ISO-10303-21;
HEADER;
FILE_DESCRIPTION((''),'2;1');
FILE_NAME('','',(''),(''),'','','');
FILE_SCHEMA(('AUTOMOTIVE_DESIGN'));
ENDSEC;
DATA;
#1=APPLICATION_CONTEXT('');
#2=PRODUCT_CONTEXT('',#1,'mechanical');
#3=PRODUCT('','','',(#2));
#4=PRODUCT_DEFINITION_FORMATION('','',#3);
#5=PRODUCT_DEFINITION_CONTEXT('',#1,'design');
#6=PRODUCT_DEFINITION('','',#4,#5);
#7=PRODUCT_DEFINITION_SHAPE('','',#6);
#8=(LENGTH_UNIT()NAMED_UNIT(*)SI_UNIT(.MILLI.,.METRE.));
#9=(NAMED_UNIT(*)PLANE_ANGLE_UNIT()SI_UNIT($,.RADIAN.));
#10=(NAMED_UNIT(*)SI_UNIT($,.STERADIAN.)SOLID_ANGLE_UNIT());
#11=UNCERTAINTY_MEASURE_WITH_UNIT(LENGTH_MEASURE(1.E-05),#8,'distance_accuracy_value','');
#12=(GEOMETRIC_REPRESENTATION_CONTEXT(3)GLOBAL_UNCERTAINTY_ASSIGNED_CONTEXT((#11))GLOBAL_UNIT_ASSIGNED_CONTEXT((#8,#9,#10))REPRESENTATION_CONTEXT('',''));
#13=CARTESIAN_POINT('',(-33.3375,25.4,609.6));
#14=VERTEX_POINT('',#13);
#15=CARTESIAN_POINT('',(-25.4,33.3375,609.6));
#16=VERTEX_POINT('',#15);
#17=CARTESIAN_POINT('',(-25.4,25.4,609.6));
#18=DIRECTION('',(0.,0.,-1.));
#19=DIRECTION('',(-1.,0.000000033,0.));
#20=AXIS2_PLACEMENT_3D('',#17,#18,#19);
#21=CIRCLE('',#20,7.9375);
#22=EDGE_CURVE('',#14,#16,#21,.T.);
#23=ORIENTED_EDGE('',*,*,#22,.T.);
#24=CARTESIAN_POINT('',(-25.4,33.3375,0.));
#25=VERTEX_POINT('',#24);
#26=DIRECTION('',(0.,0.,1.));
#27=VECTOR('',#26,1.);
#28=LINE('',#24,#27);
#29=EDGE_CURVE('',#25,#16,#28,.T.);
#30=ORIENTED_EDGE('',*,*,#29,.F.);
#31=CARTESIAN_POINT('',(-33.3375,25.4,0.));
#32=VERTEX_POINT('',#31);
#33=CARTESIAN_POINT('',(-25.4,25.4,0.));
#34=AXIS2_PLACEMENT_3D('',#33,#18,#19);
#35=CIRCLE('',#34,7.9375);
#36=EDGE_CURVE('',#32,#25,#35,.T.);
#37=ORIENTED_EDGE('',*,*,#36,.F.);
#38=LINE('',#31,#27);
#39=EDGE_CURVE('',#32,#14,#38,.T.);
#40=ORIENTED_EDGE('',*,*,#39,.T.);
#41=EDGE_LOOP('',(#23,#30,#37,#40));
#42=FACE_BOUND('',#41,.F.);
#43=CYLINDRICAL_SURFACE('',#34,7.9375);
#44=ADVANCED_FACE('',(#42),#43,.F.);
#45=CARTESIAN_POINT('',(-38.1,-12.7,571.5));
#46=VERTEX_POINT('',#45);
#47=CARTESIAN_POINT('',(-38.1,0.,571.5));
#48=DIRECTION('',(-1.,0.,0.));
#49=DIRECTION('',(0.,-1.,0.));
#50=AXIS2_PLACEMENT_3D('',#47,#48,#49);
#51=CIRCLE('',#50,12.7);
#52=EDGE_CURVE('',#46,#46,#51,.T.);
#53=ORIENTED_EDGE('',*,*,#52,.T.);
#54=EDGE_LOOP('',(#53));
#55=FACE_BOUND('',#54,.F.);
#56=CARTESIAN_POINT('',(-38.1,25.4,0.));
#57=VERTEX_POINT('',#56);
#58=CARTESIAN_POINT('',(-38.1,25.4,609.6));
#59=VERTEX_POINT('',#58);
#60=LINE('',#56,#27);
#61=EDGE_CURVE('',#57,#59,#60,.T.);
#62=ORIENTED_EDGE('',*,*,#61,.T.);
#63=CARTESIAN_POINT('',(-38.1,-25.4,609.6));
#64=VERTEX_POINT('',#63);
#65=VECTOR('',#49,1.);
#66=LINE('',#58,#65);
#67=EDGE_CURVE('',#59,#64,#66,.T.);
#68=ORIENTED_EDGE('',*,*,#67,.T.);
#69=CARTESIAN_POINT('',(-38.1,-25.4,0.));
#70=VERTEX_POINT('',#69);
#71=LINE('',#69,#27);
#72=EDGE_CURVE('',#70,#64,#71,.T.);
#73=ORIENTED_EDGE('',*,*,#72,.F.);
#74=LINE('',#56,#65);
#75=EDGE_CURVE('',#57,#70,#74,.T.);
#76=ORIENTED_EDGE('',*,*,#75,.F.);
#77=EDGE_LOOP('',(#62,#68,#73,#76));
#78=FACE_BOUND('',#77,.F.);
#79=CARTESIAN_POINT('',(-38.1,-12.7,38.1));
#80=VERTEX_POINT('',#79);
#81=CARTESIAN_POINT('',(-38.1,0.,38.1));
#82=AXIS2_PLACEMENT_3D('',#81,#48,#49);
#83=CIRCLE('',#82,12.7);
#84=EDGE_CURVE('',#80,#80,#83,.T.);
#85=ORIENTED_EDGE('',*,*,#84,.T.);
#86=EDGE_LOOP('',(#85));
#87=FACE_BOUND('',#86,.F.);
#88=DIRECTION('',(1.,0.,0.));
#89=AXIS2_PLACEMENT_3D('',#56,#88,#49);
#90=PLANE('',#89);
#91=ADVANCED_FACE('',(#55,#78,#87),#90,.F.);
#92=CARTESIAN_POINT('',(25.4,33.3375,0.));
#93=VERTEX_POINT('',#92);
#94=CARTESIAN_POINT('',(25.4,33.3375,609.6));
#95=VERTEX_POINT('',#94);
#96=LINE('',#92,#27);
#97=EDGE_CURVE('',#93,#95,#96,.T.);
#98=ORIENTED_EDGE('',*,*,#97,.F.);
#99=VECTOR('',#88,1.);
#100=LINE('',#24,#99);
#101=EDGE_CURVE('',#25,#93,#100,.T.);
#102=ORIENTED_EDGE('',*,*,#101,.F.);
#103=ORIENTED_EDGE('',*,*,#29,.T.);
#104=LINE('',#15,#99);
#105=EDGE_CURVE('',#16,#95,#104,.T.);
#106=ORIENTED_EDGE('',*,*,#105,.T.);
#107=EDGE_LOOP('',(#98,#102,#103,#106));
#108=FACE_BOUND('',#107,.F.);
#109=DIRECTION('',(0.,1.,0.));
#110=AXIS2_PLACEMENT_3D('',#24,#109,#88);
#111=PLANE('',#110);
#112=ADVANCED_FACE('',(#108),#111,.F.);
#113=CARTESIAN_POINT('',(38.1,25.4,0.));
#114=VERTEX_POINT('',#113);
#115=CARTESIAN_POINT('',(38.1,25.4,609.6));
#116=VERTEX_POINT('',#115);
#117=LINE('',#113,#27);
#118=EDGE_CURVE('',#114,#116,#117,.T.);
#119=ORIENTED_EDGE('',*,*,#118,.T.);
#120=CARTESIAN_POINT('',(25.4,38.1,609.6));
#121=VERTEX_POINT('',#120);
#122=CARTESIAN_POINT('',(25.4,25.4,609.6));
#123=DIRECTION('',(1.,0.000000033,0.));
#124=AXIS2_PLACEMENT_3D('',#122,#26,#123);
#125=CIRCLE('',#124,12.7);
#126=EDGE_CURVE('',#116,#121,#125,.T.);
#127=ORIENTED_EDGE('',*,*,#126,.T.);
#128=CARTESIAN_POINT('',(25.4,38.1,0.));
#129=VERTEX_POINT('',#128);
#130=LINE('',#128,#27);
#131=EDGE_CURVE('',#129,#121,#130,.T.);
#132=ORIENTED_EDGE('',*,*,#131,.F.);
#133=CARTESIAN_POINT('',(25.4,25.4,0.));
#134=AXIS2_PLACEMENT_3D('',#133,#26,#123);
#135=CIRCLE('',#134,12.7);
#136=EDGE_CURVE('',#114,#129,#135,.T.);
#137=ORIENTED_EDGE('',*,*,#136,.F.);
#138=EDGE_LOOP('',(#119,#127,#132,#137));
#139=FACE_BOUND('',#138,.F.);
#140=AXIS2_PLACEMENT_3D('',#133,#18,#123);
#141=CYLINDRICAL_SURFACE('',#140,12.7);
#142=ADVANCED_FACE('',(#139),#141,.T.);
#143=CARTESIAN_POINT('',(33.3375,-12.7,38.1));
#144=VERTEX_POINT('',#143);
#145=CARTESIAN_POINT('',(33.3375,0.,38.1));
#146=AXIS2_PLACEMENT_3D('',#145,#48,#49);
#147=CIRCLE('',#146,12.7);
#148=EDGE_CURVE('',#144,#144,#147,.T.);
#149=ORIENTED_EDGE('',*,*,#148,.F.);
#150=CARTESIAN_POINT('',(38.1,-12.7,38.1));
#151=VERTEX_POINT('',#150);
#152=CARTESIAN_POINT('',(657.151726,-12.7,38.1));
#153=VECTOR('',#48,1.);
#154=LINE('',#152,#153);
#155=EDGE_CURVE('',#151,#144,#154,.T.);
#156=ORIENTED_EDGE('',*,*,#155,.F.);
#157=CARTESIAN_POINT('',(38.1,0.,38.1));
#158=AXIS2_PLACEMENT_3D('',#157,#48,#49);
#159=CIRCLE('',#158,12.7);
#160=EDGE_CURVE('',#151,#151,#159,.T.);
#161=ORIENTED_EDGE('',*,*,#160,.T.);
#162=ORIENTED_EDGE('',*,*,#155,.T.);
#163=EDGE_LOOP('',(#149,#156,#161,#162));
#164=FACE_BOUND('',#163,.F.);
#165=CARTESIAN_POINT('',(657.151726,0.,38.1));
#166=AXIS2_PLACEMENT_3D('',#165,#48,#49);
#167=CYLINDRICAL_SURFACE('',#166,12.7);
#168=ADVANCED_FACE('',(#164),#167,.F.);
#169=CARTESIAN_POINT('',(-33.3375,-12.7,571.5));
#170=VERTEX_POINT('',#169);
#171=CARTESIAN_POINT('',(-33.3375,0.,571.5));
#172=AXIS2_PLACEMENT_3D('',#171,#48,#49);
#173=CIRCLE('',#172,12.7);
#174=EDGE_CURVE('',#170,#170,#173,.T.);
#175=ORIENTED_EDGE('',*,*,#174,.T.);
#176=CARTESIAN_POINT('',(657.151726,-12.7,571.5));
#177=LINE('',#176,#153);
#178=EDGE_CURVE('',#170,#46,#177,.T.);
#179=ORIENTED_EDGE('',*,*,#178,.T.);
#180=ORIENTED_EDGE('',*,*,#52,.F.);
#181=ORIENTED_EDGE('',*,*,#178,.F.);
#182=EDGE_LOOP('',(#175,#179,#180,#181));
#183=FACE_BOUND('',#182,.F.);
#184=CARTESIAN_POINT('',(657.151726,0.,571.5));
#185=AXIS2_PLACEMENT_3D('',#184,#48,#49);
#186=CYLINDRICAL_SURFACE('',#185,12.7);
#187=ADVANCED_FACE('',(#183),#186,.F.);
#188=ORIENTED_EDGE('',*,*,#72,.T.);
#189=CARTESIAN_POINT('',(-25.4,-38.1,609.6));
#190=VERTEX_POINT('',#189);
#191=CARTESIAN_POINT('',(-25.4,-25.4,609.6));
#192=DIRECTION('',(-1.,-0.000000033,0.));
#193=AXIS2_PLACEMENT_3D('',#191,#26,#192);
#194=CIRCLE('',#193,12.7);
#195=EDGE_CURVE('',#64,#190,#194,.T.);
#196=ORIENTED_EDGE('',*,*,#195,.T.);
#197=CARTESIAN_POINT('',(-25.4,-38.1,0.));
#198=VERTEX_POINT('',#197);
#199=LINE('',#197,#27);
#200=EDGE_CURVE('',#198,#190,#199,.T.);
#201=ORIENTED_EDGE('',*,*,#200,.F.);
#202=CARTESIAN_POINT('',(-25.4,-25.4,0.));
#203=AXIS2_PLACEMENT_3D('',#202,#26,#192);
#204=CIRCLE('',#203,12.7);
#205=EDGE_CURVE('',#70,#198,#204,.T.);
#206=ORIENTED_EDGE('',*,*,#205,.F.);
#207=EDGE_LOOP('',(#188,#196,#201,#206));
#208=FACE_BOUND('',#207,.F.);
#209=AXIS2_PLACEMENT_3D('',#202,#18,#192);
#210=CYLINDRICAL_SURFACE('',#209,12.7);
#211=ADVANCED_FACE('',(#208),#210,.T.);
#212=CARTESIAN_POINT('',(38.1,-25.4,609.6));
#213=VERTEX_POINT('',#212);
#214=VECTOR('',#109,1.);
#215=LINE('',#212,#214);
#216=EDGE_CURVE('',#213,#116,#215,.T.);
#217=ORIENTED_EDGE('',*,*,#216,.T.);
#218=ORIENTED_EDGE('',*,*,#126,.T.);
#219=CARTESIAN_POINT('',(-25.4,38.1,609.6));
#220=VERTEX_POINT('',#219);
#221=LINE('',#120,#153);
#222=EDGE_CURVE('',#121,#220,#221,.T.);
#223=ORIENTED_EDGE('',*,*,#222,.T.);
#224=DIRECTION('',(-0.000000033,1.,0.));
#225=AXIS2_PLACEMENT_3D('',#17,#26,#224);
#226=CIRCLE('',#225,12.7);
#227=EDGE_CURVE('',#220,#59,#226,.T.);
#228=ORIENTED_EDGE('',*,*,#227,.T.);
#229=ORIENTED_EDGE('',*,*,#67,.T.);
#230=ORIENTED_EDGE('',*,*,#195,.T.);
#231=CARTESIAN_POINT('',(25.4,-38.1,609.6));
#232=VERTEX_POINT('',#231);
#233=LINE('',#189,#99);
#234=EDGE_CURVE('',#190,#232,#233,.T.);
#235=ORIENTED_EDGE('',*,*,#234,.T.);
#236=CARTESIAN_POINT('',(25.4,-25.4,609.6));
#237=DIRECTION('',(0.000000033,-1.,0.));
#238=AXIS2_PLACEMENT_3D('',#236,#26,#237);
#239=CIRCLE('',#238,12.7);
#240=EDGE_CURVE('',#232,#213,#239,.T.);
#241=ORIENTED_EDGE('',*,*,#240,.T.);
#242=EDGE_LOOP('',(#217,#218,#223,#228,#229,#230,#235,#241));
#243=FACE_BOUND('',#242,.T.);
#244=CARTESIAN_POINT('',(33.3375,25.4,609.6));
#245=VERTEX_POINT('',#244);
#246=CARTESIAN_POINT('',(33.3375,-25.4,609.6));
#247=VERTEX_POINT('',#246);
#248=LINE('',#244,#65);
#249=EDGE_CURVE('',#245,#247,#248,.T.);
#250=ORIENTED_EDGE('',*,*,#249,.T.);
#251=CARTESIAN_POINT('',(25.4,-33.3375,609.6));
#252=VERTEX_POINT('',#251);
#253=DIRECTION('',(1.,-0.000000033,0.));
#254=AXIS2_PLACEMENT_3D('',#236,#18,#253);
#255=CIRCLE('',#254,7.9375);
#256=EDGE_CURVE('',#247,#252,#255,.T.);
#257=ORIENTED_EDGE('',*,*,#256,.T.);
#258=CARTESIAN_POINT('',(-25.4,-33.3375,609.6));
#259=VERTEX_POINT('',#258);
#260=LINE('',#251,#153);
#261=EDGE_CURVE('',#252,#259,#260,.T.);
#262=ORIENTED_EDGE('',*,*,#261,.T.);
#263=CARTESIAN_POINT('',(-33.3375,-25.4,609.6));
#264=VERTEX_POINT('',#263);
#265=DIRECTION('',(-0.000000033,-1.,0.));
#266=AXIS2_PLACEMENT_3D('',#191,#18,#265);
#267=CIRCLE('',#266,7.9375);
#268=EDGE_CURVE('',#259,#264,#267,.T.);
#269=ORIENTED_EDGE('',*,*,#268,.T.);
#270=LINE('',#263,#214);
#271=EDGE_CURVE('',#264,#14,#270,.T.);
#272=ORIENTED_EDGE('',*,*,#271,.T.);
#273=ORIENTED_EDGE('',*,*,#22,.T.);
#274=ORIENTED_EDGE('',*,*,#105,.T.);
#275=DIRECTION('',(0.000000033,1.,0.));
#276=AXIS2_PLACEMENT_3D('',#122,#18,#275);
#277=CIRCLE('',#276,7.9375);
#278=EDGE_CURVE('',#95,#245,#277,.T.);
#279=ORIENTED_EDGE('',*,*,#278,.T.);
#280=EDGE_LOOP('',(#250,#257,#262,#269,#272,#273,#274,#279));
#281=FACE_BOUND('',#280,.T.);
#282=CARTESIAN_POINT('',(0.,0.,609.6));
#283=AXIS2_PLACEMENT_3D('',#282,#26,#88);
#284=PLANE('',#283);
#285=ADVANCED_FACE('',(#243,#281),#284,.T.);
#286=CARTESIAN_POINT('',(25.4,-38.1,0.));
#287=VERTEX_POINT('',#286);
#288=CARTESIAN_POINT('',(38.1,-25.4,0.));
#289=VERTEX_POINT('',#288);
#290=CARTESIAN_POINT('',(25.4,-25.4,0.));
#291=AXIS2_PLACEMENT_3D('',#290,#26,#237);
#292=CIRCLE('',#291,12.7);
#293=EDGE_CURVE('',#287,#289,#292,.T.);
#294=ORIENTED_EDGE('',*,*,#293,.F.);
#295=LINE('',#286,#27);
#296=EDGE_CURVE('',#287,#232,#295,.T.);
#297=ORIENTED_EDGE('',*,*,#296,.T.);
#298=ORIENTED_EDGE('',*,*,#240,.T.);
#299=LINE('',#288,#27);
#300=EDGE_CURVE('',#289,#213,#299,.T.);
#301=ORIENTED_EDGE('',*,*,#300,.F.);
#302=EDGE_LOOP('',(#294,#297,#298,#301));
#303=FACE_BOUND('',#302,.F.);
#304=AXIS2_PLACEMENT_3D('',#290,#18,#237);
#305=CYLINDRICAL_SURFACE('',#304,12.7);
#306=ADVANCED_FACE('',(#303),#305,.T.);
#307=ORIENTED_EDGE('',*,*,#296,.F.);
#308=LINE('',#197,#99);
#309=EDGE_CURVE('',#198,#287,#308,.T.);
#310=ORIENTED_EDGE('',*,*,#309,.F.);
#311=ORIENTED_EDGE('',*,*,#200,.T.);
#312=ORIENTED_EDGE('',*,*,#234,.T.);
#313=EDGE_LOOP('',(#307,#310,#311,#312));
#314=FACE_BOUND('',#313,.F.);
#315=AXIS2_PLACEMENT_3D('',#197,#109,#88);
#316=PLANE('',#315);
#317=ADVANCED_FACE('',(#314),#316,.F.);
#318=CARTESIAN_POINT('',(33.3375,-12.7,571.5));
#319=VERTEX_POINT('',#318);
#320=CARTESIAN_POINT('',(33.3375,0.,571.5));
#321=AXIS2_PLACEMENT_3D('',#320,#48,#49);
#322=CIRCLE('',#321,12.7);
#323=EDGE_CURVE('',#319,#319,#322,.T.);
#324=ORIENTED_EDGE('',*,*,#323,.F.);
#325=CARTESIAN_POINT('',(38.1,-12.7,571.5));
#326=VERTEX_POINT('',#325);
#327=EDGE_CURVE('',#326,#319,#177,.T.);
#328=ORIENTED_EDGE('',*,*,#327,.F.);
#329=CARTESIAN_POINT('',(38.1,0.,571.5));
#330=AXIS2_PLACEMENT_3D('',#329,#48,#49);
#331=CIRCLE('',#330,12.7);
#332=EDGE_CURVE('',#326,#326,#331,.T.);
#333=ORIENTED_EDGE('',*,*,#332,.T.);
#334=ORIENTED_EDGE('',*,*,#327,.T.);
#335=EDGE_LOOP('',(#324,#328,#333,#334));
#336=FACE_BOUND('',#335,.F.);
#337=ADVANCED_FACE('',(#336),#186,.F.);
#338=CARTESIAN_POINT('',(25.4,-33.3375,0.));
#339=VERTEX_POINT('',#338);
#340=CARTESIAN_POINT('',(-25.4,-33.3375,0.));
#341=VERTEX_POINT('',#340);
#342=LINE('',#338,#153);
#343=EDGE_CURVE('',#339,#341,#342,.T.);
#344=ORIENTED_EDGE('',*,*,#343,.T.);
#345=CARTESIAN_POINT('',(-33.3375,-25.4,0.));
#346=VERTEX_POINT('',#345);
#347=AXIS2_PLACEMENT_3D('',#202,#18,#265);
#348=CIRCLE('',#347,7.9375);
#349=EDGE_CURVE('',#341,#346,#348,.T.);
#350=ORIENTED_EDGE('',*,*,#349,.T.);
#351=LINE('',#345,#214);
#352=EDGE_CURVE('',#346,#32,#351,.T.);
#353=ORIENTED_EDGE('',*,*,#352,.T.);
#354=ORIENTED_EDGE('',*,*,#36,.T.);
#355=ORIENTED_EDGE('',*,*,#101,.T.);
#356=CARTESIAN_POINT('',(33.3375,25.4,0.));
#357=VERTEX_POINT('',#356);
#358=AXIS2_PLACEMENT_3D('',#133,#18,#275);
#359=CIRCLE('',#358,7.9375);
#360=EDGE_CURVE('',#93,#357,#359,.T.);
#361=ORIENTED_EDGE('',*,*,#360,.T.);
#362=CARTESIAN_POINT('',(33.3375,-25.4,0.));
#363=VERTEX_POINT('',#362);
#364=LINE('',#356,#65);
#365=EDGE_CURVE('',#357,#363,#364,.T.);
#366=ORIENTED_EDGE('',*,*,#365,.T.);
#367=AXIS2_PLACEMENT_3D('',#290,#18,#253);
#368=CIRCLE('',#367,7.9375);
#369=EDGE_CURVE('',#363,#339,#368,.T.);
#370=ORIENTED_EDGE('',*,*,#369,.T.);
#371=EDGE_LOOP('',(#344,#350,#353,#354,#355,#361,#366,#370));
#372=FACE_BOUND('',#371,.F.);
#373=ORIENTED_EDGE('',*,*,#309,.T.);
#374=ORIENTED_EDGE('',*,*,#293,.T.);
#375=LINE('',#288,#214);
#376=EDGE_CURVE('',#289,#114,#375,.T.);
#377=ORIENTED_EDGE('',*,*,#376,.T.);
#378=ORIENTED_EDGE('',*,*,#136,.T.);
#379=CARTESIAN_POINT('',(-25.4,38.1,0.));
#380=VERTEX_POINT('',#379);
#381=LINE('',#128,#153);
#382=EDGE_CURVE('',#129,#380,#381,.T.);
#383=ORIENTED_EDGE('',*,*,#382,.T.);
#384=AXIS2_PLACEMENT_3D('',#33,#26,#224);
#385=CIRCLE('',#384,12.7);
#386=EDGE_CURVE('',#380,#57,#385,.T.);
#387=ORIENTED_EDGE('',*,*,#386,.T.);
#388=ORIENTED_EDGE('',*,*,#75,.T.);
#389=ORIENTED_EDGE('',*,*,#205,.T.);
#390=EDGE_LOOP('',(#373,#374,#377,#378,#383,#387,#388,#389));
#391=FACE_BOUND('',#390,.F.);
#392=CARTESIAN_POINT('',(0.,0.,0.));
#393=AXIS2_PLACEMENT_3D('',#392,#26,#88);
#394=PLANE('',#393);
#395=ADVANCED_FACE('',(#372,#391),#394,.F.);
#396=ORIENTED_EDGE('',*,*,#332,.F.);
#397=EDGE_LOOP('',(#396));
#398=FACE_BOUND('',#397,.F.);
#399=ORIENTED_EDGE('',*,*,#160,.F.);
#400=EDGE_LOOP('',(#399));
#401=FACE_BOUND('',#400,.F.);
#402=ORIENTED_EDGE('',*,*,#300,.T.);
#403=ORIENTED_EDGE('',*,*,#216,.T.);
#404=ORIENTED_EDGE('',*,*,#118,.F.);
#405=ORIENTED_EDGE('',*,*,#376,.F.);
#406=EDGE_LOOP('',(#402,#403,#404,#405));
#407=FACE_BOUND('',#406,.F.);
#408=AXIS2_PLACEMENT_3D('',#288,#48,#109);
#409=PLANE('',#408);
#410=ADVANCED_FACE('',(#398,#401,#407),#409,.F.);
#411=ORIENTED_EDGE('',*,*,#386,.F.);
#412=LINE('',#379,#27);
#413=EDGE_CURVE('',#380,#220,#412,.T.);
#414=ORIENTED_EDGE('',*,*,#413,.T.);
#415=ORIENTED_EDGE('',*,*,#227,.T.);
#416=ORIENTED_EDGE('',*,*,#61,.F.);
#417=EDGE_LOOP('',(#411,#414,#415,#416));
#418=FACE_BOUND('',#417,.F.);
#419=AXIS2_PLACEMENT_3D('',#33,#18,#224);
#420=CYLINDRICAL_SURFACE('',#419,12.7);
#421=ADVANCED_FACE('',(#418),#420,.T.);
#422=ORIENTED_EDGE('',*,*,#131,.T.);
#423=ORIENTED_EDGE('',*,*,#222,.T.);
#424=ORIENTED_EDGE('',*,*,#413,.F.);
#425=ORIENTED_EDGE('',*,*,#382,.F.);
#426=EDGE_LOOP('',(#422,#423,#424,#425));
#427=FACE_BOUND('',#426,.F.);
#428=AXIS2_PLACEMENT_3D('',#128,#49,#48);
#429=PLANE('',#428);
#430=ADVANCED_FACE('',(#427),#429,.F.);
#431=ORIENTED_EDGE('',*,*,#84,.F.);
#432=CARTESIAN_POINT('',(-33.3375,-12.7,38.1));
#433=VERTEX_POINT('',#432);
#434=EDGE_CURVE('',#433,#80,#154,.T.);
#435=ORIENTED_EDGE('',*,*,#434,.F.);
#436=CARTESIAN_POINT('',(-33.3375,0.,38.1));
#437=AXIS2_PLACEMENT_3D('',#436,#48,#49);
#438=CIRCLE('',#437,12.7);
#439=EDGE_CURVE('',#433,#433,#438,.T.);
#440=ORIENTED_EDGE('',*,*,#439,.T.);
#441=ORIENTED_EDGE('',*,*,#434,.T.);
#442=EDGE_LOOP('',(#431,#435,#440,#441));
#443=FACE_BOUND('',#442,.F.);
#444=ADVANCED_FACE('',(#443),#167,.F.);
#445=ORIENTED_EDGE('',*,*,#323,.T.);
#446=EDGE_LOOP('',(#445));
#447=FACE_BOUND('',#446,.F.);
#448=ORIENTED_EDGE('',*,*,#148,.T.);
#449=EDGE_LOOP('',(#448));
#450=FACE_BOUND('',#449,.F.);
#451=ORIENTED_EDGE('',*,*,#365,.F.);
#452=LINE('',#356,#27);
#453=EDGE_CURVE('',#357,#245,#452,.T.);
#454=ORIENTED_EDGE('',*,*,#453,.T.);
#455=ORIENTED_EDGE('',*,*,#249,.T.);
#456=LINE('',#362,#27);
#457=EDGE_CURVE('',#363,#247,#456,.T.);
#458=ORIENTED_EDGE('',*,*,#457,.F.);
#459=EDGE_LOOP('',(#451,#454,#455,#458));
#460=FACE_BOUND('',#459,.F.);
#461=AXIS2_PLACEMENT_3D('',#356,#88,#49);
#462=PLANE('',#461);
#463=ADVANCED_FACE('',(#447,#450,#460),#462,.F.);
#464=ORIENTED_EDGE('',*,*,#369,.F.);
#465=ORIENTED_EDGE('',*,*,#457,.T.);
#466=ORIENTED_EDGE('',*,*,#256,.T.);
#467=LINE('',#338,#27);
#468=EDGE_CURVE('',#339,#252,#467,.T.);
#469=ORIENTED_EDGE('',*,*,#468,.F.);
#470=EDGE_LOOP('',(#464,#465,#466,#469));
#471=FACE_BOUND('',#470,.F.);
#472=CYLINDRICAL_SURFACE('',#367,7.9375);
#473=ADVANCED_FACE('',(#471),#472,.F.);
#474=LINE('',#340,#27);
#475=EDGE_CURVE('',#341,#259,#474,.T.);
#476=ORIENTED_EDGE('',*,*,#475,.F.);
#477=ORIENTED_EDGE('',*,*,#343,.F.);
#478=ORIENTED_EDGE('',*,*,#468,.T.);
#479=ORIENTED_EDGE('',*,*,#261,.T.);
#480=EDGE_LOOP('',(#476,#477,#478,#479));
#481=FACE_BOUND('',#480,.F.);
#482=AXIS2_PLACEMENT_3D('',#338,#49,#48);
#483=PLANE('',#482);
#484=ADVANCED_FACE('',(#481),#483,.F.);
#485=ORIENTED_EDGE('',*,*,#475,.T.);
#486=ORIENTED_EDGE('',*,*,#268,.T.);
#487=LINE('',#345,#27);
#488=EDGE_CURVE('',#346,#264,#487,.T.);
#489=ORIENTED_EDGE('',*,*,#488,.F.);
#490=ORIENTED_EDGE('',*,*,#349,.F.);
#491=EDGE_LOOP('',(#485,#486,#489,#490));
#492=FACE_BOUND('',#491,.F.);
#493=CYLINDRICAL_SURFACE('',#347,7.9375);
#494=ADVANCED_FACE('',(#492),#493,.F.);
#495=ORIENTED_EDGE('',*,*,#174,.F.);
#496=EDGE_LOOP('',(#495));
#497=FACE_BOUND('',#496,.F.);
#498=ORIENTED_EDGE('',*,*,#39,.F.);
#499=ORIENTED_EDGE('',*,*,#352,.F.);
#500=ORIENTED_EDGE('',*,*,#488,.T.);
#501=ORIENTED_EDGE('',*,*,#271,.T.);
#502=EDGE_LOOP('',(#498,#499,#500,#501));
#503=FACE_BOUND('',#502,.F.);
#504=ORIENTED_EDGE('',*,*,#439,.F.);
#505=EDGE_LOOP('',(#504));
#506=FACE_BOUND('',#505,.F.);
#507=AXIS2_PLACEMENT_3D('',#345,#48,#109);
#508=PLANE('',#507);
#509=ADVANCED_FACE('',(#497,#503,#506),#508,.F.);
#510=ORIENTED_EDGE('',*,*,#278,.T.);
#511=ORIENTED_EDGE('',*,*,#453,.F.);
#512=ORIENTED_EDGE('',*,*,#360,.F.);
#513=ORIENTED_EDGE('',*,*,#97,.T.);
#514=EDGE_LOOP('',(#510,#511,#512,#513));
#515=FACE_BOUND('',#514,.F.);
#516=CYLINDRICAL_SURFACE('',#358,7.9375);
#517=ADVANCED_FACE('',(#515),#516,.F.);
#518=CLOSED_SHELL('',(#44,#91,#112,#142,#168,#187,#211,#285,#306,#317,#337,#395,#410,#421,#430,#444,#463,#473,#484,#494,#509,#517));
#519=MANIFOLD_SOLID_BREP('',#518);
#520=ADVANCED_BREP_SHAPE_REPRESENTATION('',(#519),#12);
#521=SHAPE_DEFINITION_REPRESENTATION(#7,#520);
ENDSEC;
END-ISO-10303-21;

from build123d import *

# Parameters (mm, degrees)
F1_DEPTH = 609.6
F3_D     = 25.4


with BuildPart() as f1:
    # F0 (on Top) → F1 (new body)
    with BuildSketch(Plane.XY):
        with BuildLine():
            ThreePointArc((38.1, 25.4), (34.380256, 34.380256), (25.4, 38.1))
            Line((25.4, 38.1), (-25.4, 38.1))
            ThreePointArc((-25.4, 38.1), (-34.380256, 34.380256), (-38.1, 25.4))
            Line((-38.1, 25.4), (-38.1, -25.4))
            ThreePointArc((-38.1, -25.4), (-34.380256, -34.380256), (-25.4, -38.1))
            Line((-25.4, -38.1), (25.4, -38.1))
            ThreePointArc((25.4, -38.1), (34.380256, -34.380256), (38.1, -25.4))
            Line((38.1, -25.4), (38.1, 25.4))
        make_face()
        with BuildLine():
            ThreePointArc((25.4, 33.3375), (31.01266, 31.01266), (33.3375, 25.4))
            Line((33.3375, 25.4), (33.3375, -25.4))
            ThreePointArc((33.3375, -25.4), (31.01266, -31.01266), (25.4, -33.3375))
            Line((25.4, -33.3375), (-25.4, -33.3375))
            ThreePointArc((-25.4, -33.3375), (-31.01266, -31.01266), (-33.3375, -25.4))
            Line((-33.3375, -25.4), (-33.3375, 25.4))
            ThreePointArc((-33.3375, 25.4), (-31.01266, 31.01266), (-25.4, 33.3375))
            Line((-25.4, 33.3375), (25.4, 33.3375))
        make_face(mode=Mode.SUBTRACT)
    extrude(amount=F1_DEPTH)

    # F3 (through all)
    with Locations(Plane.YZ.offset(38.1)):
        with Locations((0, 571.5), (0, 38.1)):
            Hole(F3_D / 2)


solid = f1.part
